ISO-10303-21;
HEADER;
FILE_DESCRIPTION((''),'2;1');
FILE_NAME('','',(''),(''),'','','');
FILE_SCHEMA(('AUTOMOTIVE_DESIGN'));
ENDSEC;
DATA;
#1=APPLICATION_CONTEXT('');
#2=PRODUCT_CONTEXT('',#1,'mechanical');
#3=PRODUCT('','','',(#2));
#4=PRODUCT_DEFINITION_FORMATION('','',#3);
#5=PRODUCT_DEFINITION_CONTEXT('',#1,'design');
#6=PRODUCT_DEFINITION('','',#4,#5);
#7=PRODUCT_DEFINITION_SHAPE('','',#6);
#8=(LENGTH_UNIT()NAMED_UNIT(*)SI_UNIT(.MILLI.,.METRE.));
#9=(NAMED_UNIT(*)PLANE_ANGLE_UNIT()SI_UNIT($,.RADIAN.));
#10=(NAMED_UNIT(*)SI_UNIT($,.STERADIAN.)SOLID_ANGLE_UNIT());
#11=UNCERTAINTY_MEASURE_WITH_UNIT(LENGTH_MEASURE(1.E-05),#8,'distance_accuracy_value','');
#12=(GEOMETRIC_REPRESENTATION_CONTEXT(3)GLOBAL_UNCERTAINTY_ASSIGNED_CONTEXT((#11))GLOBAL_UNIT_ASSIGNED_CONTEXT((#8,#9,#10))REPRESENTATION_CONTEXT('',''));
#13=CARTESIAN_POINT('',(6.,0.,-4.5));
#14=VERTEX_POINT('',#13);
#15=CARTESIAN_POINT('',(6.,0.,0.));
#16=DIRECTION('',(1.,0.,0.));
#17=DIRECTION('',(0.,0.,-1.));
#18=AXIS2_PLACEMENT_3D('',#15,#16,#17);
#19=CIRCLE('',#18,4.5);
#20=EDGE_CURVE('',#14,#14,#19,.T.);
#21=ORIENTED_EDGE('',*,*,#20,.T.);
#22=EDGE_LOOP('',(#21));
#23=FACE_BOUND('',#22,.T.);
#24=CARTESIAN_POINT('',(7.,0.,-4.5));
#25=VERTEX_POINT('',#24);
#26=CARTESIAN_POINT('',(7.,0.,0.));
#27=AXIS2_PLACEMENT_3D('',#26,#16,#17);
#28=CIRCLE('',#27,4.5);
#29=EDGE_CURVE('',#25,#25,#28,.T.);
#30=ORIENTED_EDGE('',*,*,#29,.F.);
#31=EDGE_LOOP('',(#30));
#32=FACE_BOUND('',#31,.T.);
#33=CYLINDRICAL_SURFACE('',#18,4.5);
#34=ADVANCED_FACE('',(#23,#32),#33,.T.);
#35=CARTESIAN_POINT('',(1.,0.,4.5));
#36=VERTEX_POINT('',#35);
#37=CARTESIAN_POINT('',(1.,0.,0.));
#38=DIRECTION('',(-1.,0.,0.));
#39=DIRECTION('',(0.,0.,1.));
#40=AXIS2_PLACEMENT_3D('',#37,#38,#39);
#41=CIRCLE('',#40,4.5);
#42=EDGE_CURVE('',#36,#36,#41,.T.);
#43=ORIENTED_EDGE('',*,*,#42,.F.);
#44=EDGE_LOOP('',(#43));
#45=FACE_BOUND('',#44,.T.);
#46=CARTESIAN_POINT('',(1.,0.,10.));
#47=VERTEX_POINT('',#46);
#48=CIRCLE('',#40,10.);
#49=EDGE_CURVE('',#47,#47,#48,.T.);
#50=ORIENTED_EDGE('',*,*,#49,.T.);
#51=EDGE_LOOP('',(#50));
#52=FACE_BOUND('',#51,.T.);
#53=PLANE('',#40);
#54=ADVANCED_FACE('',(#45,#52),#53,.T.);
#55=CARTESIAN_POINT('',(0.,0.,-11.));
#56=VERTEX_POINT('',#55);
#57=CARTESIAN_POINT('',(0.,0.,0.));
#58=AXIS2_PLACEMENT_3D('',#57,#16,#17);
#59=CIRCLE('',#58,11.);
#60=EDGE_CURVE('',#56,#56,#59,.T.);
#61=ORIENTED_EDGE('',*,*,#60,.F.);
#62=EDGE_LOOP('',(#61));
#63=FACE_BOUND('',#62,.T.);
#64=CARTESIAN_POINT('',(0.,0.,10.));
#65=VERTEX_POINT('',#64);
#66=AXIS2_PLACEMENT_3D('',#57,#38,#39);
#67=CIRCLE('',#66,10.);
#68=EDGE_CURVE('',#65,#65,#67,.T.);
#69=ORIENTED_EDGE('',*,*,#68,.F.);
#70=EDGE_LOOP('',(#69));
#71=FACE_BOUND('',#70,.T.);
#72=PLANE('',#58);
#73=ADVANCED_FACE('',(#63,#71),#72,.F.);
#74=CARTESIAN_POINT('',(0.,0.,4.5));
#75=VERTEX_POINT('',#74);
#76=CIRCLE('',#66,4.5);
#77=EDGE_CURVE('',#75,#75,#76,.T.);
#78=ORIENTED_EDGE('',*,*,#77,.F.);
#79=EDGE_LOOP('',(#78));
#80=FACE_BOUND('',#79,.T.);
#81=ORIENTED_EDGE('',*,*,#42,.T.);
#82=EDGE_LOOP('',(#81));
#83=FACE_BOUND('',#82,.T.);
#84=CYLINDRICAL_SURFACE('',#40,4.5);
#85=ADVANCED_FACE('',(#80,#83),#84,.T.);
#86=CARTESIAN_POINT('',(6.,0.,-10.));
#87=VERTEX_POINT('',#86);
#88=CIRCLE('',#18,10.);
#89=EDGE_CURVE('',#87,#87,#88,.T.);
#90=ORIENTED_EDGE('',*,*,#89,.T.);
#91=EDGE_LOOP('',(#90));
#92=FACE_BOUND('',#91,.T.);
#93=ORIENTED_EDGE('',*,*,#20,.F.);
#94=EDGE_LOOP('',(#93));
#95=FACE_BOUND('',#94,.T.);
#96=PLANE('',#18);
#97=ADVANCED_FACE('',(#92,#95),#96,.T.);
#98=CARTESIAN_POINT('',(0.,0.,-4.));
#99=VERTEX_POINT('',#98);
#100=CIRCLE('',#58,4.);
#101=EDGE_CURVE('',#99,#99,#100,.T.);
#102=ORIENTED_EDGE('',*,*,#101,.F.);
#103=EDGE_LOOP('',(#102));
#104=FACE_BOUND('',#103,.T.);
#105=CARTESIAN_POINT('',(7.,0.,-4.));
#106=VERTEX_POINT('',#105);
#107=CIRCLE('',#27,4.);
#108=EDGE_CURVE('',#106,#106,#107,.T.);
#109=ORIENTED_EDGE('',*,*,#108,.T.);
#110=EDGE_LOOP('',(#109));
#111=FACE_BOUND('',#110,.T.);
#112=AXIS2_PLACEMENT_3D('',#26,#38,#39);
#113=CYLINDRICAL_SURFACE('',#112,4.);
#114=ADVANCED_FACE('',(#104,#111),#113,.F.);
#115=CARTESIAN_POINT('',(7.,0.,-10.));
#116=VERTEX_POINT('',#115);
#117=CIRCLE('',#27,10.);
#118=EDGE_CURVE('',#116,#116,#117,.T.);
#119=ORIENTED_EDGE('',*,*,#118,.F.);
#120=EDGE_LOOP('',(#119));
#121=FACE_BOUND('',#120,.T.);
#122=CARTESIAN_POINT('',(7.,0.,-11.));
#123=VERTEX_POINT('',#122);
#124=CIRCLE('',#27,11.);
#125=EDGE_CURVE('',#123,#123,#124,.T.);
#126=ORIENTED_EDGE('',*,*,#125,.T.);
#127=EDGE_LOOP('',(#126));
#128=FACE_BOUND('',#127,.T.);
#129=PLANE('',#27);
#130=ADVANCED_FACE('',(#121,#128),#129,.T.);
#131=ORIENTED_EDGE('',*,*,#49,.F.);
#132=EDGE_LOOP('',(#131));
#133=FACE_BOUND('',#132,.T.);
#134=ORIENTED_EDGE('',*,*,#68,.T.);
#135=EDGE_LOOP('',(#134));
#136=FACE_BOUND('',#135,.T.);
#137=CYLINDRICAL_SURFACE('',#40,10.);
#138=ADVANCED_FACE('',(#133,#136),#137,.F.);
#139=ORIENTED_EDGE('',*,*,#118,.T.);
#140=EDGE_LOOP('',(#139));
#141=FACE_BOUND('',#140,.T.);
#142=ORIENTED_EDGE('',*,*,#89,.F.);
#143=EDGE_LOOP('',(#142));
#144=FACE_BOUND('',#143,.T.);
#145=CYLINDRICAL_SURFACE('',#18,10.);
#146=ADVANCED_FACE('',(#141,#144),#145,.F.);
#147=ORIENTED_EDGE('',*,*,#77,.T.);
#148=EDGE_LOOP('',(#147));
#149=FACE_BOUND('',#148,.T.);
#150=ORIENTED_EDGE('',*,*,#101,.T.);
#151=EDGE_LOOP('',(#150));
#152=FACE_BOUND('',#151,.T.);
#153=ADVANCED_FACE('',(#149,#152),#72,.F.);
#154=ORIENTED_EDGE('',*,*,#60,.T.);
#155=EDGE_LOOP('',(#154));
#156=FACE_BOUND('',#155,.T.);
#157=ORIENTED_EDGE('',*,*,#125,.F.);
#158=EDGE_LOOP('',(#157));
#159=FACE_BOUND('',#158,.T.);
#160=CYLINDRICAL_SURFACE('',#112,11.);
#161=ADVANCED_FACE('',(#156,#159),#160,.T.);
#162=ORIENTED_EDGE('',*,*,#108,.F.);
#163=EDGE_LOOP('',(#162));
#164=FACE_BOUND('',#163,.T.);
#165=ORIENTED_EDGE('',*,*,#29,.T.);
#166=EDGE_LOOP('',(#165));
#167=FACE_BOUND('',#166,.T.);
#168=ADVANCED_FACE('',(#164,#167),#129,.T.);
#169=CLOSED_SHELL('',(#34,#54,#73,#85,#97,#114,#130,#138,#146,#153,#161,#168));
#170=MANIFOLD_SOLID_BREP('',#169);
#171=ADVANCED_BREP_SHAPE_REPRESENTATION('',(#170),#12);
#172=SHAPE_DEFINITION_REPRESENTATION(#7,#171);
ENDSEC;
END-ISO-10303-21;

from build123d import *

# Parameters (mm, degrees)
CROQUIS1_R              = 11
CROQUIS1_R_2            = 4
SALIENTE_EXTRUIR1_DEPTH = 7
CROQUIS2_R              = 10
CROQUIS2_R_2            = 4.5
CORTAR_EXTRUIR1_DEPTH   = 1
CORTAR_EXTRUIR2_START   = -1
CROQUIS3_R              = 10
CROQUIS3_R_2            = 4.5
CORTAR_EXTRUIR2_DEPTH   = 1


with BuildPart() as part:
    # Croquis1 → Saliente-Extruir1 (new body)
    with BuildSketch(Plane(origin=(0, 0, 0), x_dir=(0, 0, -1), z_dir=(1, 0, 0))):
        Circle(CROQUIS1_R)
        Circle(CROQUIS1_R_2, mode=Mode.SUBTRACT)
    extrude(amount=SALIENTE_EXTRUIR1_DEPTH)

    # Croquis2 → Cortar-Extruir1 (cut)
    with BuildSketch(Plane(origin=(7, 0, 0), x_dir=(0, 0, -1), z_dir=(1, 0, 0))):
        Circle(CROQUIS2_R)
        Circle(CROQUIS2_R_2, mode=Mode.SUBTRACT)
    extrude(amount=-CORTAR_EXTRUIR1_DEPTH, mode=Mode.SUBTRACT)

    # Croquis3 → Cortar-Extruir2 (cut)
    with BuildSketch(Plane.ZY.offset(CORTAR_EXTRUIR2_START)):
        with Locations(Location((0, 0, 0), (0, 0, 180))):
            Circle(CROQUIS3_R)
        with Locations(Location((0, 0, 0), (0, 0, 180))):
            Circle(CROQUIS3_R_2, mode=Mode.SUBTRACT)
    extrude(amount=CORTAR_EXTRUIR2_DEPTH, mode=Mode.SUBTRACT)


solid = part.part
